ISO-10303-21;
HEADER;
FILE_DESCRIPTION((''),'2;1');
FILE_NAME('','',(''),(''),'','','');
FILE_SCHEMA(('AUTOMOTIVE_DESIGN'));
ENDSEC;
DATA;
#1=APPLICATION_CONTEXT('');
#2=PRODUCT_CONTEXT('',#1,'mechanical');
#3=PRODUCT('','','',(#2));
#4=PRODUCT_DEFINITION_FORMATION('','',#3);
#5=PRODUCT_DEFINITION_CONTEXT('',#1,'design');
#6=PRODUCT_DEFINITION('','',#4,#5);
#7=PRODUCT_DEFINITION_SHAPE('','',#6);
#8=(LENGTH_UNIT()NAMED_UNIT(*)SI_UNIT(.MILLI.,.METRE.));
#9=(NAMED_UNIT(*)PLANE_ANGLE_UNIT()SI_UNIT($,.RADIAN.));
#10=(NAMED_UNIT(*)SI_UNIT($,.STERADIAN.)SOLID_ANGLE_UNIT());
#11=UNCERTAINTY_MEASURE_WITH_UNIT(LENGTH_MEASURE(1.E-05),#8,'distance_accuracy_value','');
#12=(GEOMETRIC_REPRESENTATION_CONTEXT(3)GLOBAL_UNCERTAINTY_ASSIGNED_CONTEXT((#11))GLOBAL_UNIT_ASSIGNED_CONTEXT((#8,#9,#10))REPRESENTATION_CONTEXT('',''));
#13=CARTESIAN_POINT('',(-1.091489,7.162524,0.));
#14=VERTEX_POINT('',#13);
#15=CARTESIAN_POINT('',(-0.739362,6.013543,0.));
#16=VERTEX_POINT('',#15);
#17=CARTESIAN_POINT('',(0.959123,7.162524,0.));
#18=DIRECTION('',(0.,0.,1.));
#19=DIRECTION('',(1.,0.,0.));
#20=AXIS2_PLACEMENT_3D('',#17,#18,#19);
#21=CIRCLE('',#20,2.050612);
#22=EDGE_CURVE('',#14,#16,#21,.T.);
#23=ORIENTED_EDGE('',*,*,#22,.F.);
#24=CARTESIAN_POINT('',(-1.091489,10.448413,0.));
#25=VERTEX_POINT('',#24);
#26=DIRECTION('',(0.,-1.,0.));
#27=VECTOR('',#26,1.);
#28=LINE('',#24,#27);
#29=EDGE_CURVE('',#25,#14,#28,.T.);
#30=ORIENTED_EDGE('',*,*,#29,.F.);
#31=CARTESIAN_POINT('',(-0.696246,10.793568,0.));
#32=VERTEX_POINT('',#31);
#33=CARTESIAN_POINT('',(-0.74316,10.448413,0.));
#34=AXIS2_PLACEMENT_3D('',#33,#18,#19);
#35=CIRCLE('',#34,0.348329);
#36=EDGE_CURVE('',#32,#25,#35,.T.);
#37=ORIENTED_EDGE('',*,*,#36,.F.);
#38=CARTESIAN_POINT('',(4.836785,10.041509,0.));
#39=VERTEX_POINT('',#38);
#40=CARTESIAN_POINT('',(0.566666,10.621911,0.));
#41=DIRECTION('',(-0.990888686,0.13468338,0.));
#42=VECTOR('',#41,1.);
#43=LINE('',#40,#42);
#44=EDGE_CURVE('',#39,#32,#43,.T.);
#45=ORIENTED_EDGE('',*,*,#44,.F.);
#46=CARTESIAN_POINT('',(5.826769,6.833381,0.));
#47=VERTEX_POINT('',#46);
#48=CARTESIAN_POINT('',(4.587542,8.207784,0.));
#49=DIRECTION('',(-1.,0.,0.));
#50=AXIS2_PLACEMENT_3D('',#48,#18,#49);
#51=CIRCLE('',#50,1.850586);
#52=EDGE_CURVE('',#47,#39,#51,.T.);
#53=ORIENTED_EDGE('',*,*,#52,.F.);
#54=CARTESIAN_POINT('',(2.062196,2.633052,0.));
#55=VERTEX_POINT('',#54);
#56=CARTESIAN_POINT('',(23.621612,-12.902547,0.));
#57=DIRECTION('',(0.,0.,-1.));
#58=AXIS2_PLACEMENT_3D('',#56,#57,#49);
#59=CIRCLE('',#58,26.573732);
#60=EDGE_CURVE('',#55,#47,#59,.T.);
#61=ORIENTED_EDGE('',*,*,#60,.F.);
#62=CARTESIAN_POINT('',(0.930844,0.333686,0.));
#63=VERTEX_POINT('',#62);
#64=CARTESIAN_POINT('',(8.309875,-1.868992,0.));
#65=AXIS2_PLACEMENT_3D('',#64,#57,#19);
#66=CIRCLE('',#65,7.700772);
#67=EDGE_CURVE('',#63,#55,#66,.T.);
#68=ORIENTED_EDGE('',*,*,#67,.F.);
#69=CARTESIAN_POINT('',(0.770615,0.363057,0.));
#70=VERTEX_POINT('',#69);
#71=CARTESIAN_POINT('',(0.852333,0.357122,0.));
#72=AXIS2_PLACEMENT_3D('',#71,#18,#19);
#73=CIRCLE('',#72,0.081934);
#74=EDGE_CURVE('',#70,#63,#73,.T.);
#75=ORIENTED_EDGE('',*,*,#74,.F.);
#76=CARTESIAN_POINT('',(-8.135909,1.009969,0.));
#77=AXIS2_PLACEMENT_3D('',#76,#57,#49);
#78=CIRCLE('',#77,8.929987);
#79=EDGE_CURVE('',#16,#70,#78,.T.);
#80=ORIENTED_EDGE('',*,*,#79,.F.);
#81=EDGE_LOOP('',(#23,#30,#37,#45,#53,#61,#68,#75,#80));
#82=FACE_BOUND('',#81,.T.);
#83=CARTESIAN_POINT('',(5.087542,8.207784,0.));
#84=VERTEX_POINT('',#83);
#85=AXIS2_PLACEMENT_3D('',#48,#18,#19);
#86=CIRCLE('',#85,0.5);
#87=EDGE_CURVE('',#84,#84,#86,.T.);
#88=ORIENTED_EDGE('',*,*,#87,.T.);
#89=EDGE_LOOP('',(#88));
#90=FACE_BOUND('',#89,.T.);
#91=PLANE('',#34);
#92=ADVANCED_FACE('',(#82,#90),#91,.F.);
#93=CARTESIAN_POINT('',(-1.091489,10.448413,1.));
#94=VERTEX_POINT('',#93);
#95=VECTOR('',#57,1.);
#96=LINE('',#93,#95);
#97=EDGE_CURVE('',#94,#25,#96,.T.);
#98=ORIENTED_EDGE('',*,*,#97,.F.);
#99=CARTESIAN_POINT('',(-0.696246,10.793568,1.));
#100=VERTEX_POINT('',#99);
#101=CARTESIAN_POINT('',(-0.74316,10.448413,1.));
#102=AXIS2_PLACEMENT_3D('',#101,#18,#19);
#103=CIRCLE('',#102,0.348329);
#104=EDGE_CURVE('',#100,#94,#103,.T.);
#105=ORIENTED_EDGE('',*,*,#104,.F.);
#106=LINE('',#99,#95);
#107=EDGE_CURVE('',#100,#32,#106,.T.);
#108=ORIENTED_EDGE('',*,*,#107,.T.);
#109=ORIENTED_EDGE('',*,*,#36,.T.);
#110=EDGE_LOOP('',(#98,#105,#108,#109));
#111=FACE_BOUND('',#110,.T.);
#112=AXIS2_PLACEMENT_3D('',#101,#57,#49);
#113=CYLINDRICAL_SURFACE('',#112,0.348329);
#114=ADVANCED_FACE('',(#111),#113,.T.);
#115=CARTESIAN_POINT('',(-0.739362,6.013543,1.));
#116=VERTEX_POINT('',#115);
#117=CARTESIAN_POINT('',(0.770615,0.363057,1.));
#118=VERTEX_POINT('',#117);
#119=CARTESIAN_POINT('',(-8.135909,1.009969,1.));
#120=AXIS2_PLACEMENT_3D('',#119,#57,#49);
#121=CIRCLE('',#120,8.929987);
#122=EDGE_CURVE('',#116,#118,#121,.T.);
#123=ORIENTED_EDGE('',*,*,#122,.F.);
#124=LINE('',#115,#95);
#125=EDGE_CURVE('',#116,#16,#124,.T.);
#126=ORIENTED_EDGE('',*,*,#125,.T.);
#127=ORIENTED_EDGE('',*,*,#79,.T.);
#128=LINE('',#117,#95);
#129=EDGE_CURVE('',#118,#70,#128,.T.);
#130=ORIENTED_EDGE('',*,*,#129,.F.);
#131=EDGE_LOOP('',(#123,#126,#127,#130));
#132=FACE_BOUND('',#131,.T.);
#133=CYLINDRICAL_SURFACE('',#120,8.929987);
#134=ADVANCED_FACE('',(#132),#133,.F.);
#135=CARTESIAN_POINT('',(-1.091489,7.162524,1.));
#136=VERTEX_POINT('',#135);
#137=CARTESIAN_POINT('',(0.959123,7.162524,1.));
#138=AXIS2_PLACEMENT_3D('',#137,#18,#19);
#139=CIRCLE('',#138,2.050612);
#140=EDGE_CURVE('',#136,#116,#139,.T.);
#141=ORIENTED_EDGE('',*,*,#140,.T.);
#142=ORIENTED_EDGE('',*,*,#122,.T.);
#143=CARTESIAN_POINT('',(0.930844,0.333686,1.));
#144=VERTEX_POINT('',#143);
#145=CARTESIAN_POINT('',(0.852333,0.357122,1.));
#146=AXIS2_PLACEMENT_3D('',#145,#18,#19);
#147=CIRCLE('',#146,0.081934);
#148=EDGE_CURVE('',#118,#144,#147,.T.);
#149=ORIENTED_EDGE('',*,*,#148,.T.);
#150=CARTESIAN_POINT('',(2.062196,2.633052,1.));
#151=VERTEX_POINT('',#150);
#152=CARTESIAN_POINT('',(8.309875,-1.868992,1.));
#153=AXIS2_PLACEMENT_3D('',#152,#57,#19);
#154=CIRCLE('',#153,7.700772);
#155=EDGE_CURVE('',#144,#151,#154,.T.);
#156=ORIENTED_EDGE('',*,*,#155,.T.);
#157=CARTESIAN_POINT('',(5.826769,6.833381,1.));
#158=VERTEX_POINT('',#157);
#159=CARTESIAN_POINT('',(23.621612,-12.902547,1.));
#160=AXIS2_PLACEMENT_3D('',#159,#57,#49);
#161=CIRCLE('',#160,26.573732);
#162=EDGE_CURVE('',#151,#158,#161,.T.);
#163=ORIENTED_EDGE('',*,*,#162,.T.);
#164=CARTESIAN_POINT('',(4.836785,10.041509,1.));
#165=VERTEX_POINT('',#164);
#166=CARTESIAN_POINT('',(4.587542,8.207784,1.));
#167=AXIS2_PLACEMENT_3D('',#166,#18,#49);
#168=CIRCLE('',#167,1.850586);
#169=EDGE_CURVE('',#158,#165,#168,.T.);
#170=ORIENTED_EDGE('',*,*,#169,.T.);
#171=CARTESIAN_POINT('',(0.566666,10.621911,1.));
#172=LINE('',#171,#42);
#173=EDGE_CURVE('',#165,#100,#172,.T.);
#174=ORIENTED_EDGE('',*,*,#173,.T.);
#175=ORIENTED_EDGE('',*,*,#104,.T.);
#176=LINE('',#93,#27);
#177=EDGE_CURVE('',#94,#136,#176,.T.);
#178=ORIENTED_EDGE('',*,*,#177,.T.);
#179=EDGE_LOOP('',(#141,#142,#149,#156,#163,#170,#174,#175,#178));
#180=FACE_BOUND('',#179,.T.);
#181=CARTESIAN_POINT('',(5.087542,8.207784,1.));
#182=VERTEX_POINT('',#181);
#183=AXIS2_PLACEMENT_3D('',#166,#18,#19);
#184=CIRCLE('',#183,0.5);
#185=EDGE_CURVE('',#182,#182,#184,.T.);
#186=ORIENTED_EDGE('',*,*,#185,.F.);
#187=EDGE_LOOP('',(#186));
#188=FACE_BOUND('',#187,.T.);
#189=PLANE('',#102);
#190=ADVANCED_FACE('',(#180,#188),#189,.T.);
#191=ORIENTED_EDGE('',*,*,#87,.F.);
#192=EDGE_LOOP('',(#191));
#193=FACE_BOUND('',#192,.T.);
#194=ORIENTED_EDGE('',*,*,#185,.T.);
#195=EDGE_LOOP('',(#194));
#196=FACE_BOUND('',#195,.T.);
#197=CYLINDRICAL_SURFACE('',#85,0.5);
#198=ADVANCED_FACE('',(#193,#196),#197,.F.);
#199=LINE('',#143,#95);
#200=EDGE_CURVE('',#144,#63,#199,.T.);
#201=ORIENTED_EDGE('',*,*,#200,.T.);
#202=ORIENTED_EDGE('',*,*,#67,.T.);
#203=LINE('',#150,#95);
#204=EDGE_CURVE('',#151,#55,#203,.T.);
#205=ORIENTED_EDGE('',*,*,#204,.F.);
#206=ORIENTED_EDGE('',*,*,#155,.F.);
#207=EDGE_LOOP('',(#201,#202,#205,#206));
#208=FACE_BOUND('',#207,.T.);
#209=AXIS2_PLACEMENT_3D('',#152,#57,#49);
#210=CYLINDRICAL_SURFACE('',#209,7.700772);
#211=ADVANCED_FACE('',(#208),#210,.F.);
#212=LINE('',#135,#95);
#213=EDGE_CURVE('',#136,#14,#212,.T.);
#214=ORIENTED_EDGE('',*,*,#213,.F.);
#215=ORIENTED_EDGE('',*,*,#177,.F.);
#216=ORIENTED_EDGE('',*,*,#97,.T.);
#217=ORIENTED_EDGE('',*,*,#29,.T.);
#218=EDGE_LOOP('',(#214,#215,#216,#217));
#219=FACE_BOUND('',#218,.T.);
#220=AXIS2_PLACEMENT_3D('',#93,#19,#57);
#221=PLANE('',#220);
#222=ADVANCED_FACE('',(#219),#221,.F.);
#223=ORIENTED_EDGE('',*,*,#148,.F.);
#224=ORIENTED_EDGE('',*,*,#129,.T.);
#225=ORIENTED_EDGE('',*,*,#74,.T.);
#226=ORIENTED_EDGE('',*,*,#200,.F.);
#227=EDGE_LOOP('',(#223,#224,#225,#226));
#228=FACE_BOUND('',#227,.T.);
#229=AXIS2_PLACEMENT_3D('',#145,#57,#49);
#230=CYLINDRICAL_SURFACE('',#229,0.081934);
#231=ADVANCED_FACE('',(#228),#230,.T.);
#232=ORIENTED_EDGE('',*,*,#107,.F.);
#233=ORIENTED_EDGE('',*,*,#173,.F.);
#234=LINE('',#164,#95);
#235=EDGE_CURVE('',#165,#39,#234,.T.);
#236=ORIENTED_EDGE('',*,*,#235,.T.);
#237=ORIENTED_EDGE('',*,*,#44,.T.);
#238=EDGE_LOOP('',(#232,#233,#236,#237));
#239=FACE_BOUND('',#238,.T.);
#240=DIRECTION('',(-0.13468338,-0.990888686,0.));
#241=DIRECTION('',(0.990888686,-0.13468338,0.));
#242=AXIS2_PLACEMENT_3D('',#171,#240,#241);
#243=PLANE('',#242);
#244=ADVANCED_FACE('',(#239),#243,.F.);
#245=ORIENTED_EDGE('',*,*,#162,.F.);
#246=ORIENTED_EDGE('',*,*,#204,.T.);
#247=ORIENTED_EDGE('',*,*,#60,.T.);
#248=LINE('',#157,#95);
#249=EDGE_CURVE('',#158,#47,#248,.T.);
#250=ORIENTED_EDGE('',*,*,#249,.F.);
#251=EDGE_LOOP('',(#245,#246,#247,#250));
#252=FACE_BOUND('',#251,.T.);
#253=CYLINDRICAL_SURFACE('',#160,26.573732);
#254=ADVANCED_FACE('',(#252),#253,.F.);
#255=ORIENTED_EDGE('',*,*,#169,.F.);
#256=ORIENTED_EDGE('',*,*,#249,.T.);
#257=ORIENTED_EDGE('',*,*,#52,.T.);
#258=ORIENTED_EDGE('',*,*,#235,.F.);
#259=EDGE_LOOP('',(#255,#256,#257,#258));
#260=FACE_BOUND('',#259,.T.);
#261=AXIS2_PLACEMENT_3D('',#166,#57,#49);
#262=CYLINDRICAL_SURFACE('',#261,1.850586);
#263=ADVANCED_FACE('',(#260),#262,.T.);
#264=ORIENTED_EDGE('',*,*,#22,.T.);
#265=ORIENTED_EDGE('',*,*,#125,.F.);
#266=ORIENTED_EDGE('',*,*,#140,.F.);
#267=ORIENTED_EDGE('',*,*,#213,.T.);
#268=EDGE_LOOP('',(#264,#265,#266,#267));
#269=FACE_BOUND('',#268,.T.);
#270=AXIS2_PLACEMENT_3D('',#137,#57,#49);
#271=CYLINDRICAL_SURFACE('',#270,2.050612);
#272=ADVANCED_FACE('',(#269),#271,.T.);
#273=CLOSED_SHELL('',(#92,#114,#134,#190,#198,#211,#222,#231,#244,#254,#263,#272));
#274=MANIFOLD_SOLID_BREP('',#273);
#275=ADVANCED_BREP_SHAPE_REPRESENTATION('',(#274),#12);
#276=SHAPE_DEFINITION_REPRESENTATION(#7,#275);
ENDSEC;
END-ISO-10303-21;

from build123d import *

# Parameters (mm, degrees)
BOSS_EXTRUDE1_DEPTH = 1
SKETCH2_R           = 0.5
CUT_EXTRUDE1_DEPTH  = 1


with BuildPart() as part:
    # Sketch1 → Boss-Extrude1 (new body)
    with BuildSketch(Plane.XY):
        with BuildLine():
            Line((0.566665575, 10.621911003), (4.836785257, 10.041508622))
            ThreePointArc((4.836785257, 10.041508622), (6.355848418, 8.75345876), (5.826769046, 6.833380545))
            ThreePointArc((5.826769046, 6.833380545), (3.832723198, 4.833381254), (2.062195705, 2.633052095))
            ThreePointArc((2.062195705, 2.633052095), (1.400201905, 1.530760177), (0.930843559, 0.333686241))
            ThreePointArc((0.930843559, 0.333686241), (0.837560316, 0.276531253), (0.770614998, 0.363057438))
            ThreePointArc((0.770614998, 0.363057438), (0.491345948, 3.315426366), (-0.739361897, 6.013542688))
            ThreePointArc((-0.739361897, 6.013542688), (-1.001481879, 6.56165987), (-1.091488982, 7.162524291))
            Line((-1.091488982, 7.162524291), (-1.091488982, 10.448413118))
            ThreePointArc((-1.091488982, 10.448413118), (-0.97227959, 10.710781676), (-0.696246031, 10.793568229))
            Line((-0.696246031, 10.793568229), (0.566665575, 10.621911003))
        make_face()
    extrude(amount=BOSS_EXTRUDE1_DEPTH)

    # Sketch2 → Cut-Extrude1 (cut)
    with BuildSketch(Plane.XY.offset(1)):
        with Locations((4.58754209, 8.207783975)):
            Circle(SKETCH2_R)
    extrude(amount=-CUT_EXTRUDE1_DEPTH, mode=Mode.SUBTRACT)


solid = part.part
